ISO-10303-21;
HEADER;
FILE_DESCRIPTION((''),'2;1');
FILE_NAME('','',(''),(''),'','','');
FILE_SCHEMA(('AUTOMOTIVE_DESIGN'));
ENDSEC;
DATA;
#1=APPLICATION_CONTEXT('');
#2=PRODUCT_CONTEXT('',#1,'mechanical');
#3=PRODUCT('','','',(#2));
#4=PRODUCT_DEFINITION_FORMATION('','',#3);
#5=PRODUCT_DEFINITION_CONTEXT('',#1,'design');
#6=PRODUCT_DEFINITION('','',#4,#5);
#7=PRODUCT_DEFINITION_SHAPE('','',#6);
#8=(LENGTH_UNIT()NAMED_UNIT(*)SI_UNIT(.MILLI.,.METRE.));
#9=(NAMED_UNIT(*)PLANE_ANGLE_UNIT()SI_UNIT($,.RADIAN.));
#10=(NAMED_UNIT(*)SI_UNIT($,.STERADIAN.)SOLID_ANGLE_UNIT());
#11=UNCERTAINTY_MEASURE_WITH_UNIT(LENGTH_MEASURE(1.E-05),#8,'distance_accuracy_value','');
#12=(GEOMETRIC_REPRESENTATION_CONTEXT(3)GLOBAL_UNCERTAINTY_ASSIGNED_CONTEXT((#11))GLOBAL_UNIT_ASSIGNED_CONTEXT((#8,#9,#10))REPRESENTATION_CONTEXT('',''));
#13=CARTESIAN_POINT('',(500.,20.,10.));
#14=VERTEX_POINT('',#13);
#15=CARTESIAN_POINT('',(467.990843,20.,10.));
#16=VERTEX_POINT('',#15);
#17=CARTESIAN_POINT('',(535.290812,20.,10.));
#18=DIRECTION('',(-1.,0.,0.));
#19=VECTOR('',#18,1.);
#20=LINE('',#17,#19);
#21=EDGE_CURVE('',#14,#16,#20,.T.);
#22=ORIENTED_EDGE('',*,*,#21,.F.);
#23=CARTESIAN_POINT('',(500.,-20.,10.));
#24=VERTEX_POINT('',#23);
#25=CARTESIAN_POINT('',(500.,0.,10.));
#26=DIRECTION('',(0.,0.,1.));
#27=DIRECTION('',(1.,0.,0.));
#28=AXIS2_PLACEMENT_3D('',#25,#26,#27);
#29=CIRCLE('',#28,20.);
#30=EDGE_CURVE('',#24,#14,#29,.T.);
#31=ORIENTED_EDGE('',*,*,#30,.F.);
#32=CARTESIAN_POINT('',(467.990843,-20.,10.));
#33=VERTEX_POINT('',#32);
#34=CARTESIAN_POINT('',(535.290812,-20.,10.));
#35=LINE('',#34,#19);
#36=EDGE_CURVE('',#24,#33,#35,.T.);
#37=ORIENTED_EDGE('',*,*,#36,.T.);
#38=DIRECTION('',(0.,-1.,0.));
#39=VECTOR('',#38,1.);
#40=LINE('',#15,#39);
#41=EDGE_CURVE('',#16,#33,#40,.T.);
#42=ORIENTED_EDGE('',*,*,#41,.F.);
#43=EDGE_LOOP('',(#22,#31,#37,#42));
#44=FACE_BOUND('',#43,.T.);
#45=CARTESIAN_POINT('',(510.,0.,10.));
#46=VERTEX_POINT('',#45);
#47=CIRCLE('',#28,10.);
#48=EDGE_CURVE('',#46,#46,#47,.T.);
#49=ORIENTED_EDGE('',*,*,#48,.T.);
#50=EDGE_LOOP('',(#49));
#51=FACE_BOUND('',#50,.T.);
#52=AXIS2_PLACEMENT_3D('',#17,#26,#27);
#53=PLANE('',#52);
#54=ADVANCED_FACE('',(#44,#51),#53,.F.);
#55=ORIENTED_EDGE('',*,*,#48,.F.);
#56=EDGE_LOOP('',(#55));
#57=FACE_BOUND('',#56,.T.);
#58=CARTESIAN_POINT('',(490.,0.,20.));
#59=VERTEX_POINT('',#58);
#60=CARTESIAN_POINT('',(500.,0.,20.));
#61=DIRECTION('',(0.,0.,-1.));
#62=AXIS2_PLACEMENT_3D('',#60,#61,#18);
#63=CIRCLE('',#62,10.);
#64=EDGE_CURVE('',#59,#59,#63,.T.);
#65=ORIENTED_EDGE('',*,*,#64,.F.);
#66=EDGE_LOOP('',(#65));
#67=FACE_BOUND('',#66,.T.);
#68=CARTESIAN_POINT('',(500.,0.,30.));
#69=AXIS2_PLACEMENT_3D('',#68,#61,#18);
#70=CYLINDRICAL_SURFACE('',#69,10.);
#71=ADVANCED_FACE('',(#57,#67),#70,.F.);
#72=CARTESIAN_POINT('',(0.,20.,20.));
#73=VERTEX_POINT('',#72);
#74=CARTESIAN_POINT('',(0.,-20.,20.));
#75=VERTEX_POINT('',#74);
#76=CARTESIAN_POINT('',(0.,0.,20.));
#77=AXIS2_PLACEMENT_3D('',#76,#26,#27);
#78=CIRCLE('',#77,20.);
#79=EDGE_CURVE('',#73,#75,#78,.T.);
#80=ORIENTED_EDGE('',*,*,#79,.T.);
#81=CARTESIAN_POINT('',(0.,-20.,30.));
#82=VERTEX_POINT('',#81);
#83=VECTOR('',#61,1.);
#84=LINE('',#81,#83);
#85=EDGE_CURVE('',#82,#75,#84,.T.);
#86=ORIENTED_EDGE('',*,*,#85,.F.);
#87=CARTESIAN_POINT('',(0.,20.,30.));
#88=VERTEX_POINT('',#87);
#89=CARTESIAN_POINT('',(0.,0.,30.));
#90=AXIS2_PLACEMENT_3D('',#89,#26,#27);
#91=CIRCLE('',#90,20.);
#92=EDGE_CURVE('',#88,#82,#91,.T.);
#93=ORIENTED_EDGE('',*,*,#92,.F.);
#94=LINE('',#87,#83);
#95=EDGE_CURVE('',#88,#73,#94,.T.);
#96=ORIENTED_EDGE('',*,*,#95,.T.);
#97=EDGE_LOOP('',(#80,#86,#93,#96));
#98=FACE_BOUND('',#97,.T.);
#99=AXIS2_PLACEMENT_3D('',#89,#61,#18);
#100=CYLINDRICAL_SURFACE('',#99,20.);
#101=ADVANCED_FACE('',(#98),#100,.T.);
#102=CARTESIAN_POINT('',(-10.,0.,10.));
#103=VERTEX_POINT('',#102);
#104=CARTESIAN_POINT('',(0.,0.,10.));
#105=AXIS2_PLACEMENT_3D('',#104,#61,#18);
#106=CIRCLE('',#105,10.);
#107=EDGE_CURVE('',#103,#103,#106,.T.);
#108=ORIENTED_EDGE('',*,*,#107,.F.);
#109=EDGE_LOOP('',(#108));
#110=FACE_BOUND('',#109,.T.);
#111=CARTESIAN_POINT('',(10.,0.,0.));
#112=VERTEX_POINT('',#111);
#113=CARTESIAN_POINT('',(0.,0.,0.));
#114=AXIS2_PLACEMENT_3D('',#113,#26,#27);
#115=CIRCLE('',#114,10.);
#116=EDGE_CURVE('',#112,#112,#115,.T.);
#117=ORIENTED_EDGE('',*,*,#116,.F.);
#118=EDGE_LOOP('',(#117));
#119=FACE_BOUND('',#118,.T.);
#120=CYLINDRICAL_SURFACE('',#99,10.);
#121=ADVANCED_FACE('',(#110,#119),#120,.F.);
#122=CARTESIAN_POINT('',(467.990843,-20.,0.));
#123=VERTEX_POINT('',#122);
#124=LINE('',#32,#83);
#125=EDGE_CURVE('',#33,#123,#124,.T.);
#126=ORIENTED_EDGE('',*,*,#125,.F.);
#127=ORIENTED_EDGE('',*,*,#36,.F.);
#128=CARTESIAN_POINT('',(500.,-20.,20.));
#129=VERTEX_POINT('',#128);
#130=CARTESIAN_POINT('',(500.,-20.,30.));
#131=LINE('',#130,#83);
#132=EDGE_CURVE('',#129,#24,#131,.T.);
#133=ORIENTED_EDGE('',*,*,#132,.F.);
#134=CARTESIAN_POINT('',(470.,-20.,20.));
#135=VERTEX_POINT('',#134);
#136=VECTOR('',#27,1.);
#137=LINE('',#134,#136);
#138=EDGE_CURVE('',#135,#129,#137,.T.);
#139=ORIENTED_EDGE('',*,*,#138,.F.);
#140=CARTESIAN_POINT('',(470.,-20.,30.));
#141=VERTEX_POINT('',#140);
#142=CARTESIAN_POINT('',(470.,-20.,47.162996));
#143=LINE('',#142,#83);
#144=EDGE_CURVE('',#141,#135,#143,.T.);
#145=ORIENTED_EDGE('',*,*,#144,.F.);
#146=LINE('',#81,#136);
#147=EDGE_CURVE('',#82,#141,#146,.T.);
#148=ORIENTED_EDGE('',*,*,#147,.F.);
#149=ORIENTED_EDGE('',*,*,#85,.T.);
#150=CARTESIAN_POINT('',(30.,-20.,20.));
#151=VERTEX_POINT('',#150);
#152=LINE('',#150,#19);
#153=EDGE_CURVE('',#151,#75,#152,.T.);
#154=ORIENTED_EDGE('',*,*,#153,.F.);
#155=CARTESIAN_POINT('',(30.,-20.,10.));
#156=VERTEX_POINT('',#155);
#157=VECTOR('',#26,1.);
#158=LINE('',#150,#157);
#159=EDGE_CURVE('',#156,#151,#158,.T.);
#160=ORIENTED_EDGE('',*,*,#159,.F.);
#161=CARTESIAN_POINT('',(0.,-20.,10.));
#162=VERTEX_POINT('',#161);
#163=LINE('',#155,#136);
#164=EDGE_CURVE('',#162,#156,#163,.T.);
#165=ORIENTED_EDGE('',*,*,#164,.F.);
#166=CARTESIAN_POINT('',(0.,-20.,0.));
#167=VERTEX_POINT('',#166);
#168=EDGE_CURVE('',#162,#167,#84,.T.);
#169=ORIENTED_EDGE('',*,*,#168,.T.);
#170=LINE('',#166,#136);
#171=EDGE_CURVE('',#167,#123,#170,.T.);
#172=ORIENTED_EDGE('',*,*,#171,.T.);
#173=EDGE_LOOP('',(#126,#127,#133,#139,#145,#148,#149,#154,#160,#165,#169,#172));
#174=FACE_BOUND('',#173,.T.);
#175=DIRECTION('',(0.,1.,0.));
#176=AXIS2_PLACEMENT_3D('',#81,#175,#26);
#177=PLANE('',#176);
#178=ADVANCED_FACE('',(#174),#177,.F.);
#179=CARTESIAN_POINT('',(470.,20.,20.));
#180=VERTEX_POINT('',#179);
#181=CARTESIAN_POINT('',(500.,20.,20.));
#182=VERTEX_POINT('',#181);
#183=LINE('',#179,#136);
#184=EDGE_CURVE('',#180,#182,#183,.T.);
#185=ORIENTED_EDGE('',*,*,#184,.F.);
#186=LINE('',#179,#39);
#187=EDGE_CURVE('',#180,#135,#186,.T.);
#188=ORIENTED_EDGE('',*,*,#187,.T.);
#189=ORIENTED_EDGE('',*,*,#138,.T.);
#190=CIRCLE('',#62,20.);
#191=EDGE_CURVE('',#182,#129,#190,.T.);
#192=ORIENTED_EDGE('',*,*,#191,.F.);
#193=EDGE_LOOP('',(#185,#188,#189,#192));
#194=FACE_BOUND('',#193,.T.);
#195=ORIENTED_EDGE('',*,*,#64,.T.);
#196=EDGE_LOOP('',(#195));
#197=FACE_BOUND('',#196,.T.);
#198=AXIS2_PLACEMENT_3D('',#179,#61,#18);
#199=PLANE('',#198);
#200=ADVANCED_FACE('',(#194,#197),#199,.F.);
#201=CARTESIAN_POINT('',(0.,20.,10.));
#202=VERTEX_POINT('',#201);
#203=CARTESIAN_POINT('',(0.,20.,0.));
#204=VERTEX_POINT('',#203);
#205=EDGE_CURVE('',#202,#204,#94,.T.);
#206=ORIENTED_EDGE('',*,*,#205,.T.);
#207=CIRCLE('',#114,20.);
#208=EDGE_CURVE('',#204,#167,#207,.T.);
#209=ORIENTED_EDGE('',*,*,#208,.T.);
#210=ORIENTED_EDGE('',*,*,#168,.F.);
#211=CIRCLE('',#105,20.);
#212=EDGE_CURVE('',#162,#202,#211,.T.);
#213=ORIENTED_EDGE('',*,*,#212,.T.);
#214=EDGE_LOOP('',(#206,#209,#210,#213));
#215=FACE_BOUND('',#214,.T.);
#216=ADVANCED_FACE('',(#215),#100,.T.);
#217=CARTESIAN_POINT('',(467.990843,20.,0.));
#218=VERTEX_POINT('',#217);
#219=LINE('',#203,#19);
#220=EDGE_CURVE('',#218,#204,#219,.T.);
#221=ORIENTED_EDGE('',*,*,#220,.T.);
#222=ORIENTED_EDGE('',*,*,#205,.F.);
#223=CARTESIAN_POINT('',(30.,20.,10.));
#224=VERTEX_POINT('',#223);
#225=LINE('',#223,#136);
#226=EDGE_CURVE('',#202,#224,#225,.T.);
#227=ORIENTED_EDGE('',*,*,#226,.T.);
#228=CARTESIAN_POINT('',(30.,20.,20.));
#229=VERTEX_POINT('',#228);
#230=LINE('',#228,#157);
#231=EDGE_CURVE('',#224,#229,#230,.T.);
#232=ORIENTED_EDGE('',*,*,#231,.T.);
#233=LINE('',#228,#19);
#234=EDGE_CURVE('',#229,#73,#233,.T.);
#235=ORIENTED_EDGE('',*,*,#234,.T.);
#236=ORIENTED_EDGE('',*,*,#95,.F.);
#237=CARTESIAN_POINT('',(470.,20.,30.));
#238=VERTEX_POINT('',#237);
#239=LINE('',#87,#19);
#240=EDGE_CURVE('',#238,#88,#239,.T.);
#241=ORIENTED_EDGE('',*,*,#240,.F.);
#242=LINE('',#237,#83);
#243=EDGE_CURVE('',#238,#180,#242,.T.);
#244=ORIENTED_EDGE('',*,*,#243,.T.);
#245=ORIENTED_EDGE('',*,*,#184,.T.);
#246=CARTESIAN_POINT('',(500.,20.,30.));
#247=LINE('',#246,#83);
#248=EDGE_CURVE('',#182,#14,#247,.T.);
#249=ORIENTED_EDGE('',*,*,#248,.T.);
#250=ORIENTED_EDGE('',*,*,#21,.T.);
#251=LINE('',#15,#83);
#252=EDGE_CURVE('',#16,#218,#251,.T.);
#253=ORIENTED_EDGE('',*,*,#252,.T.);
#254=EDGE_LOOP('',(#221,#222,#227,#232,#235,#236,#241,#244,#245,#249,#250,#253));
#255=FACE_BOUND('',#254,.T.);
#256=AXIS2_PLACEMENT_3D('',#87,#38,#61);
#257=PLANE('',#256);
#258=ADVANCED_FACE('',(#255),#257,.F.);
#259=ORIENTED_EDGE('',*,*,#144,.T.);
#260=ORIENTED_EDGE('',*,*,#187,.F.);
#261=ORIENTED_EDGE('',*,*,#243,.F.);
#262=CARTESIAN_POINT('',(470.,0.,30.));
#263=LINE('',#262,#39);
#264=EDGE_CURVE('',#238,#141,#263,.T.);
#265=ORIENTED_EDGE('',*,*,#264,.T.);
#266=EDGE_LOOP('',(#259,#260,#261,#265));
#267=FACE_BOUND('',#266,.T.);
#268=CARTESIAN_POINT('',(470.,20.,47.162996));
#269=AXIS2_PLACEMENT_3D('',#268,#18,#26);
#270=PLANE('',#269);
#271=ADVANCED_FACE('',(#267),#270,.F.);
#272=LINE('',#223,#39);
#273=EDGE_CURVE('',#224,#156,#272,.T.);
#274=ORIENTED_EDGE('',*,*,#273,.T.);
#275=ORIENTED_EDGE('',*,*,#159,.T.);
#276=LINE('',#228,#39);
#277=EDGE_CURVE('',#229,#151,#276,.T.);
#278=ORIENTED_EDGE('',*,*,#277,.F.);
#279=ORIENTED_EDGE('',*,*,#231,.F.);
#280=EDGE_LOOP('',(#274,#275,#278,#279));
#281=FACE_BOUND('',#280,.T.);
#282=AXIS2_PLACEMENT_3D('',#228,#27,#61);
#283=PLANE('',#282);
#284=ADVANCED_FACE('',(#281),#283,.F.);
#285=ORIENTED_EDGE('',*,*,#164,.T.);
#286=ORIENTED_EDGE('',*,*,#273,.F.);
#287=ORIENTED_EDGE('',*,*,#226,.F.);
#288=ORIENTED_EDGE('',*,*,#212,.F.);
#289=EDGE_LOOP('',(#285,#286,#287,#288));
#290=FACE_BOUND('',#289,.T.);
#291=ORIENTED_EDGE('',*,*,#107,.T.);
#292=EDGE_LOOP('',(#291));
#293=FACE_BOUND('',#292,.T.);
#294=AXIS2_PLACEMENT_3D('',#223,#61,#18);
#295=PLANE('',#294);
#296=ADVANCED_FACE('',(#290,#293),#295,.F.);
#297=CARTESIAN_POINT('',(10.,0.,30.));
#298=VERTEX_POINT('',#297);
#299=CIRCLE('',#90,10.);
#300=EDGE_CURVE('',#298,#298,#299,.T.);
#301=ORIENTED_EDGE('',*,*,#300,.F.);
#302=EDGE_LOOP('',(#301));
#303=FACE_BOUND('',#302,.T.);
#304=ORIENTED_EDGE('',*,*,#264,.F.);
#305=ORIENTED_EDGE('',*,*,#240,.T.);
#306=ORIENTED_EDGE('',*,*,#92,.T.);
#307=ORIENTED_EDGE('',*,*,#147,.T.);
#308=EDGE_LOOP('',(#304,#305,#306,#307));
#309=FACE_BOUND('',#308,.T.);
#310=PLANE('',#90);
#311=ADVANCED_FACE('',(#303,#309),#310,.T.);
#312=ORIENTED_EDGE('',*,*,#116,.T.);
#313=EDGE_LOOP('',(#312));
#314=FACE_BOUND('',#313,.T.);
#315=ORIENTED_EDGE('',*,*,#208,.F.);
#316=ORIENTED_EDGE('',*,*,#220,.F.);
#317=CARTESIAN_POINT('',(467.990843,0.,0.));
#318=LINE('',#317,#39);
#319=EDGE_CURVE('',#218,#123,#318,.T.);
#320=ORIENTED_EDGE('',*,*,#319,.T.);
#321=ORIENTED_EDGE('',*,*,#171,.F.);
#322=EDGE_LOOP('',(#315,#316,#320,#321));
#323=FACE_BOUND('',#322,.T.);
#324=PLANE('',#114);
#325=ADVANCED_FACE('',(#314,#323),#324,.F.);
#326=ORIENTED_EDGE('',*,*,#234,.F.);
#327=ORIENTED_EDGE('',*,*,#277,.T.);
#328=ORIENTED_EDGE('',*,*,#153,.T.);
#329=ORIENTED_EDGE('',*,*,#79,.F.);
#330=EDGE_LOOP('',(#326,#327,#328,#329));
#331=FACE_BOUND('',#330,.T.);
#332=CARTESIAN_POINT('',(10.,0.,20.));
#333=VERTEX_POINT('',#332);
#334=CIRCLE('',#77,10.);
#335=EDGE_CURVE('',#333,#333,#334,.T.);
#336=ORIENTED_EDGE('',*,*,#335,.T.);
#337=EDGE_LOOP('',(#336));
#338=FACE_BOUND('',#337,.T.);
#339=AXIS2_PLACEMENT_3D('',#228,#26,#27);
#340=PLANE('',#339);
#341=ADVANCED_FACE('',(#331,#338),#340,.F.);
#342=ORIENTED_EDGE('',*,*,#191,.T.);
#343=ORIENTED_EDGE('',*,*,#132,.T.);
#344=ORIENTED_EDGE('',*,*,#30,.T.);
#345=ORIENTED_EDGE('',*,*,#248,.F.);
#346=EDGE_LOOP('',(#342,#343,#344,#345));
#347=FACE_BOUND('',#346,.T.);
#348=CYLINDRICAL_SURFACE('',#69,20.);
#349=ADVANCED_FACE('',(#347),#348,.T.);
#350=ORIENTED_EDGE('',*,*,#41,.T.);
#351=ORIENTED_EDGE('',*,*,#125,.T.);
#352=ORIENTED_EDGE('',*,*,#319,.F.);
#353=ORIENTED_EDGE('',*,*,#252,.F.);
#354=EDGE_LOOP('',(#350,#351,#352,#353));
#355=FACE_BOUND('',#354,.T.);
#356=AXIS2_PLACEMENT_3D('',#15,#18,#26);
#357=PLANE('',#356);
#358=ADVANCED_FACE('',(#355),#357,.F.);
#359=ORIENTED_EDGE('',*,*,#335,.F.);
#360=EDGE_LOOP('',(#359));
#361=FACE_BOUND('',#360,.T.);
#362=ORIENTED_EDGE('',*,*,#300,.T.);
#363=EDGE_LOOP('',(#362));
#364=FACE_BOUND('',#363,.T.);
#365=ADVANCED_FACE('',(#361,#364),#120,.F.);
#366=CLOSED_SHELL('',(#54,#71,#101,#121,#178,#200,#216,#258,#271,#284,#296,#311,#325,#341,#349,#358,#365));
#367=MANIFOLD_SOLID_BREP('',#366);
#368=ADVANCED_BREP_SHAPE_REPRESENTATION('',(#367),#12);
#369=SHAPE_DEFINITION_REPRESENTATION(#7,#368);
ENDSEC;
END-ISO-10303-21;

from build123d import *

# Parameters (mm, degrees)
SKETCH1_R           = 10
BOSS_EXTRUDE1_DEPTH = 30
SKETCH4_W           = 69.930145124
SKETCH4_H           = 10
CUT_EXTRUDE1_DEPTH  = 523.398315464


with BuildPart() as part:
    # Sketch1 → Boss-Extrude1 (new body)
    with BuildSketch(Plane.XY):
        with BuildLine():
            Line((0, 20), (500, 20))
            ThreePointArc((500, 20), (520, 0), (500, -20))
            Line((500, -20), (0, -20))
            ThreePointArc((0, -20), (-20, 0), (0, 20))
        make_face()
        Circle(SKETCH1_R, mode=Mode.SUBTRACT)
        with Locations((500, 0)):
            Circle(SKETCH1_R, mode=Mode.SUBTRACT)
    extrude(amount=BOSS_EXTRUDE1_DEPTH)

    # Sketch4 → Cut-Extrude1 (cut, through all)
    with BuildSketch(Plane.XZ.offset(20)):
        with Locations((-4.965072562, 15)):
            Rectangle(SKETCH4_W, SKETCH4_H)
        Polygon((470, 47.162996114), (470, 20), (535.290811534, 20), (535.290811534, 10), (467.990842664, 10), (467.990842664, -15.795499521), (553.153388579, -15.795499521), (553.153388579, 47.162996114), align=None)
    extrude(amount=-CUT_EXTRUDE1_DEPTH, mode=Mode.SUBTRACT)


solid = part.part
